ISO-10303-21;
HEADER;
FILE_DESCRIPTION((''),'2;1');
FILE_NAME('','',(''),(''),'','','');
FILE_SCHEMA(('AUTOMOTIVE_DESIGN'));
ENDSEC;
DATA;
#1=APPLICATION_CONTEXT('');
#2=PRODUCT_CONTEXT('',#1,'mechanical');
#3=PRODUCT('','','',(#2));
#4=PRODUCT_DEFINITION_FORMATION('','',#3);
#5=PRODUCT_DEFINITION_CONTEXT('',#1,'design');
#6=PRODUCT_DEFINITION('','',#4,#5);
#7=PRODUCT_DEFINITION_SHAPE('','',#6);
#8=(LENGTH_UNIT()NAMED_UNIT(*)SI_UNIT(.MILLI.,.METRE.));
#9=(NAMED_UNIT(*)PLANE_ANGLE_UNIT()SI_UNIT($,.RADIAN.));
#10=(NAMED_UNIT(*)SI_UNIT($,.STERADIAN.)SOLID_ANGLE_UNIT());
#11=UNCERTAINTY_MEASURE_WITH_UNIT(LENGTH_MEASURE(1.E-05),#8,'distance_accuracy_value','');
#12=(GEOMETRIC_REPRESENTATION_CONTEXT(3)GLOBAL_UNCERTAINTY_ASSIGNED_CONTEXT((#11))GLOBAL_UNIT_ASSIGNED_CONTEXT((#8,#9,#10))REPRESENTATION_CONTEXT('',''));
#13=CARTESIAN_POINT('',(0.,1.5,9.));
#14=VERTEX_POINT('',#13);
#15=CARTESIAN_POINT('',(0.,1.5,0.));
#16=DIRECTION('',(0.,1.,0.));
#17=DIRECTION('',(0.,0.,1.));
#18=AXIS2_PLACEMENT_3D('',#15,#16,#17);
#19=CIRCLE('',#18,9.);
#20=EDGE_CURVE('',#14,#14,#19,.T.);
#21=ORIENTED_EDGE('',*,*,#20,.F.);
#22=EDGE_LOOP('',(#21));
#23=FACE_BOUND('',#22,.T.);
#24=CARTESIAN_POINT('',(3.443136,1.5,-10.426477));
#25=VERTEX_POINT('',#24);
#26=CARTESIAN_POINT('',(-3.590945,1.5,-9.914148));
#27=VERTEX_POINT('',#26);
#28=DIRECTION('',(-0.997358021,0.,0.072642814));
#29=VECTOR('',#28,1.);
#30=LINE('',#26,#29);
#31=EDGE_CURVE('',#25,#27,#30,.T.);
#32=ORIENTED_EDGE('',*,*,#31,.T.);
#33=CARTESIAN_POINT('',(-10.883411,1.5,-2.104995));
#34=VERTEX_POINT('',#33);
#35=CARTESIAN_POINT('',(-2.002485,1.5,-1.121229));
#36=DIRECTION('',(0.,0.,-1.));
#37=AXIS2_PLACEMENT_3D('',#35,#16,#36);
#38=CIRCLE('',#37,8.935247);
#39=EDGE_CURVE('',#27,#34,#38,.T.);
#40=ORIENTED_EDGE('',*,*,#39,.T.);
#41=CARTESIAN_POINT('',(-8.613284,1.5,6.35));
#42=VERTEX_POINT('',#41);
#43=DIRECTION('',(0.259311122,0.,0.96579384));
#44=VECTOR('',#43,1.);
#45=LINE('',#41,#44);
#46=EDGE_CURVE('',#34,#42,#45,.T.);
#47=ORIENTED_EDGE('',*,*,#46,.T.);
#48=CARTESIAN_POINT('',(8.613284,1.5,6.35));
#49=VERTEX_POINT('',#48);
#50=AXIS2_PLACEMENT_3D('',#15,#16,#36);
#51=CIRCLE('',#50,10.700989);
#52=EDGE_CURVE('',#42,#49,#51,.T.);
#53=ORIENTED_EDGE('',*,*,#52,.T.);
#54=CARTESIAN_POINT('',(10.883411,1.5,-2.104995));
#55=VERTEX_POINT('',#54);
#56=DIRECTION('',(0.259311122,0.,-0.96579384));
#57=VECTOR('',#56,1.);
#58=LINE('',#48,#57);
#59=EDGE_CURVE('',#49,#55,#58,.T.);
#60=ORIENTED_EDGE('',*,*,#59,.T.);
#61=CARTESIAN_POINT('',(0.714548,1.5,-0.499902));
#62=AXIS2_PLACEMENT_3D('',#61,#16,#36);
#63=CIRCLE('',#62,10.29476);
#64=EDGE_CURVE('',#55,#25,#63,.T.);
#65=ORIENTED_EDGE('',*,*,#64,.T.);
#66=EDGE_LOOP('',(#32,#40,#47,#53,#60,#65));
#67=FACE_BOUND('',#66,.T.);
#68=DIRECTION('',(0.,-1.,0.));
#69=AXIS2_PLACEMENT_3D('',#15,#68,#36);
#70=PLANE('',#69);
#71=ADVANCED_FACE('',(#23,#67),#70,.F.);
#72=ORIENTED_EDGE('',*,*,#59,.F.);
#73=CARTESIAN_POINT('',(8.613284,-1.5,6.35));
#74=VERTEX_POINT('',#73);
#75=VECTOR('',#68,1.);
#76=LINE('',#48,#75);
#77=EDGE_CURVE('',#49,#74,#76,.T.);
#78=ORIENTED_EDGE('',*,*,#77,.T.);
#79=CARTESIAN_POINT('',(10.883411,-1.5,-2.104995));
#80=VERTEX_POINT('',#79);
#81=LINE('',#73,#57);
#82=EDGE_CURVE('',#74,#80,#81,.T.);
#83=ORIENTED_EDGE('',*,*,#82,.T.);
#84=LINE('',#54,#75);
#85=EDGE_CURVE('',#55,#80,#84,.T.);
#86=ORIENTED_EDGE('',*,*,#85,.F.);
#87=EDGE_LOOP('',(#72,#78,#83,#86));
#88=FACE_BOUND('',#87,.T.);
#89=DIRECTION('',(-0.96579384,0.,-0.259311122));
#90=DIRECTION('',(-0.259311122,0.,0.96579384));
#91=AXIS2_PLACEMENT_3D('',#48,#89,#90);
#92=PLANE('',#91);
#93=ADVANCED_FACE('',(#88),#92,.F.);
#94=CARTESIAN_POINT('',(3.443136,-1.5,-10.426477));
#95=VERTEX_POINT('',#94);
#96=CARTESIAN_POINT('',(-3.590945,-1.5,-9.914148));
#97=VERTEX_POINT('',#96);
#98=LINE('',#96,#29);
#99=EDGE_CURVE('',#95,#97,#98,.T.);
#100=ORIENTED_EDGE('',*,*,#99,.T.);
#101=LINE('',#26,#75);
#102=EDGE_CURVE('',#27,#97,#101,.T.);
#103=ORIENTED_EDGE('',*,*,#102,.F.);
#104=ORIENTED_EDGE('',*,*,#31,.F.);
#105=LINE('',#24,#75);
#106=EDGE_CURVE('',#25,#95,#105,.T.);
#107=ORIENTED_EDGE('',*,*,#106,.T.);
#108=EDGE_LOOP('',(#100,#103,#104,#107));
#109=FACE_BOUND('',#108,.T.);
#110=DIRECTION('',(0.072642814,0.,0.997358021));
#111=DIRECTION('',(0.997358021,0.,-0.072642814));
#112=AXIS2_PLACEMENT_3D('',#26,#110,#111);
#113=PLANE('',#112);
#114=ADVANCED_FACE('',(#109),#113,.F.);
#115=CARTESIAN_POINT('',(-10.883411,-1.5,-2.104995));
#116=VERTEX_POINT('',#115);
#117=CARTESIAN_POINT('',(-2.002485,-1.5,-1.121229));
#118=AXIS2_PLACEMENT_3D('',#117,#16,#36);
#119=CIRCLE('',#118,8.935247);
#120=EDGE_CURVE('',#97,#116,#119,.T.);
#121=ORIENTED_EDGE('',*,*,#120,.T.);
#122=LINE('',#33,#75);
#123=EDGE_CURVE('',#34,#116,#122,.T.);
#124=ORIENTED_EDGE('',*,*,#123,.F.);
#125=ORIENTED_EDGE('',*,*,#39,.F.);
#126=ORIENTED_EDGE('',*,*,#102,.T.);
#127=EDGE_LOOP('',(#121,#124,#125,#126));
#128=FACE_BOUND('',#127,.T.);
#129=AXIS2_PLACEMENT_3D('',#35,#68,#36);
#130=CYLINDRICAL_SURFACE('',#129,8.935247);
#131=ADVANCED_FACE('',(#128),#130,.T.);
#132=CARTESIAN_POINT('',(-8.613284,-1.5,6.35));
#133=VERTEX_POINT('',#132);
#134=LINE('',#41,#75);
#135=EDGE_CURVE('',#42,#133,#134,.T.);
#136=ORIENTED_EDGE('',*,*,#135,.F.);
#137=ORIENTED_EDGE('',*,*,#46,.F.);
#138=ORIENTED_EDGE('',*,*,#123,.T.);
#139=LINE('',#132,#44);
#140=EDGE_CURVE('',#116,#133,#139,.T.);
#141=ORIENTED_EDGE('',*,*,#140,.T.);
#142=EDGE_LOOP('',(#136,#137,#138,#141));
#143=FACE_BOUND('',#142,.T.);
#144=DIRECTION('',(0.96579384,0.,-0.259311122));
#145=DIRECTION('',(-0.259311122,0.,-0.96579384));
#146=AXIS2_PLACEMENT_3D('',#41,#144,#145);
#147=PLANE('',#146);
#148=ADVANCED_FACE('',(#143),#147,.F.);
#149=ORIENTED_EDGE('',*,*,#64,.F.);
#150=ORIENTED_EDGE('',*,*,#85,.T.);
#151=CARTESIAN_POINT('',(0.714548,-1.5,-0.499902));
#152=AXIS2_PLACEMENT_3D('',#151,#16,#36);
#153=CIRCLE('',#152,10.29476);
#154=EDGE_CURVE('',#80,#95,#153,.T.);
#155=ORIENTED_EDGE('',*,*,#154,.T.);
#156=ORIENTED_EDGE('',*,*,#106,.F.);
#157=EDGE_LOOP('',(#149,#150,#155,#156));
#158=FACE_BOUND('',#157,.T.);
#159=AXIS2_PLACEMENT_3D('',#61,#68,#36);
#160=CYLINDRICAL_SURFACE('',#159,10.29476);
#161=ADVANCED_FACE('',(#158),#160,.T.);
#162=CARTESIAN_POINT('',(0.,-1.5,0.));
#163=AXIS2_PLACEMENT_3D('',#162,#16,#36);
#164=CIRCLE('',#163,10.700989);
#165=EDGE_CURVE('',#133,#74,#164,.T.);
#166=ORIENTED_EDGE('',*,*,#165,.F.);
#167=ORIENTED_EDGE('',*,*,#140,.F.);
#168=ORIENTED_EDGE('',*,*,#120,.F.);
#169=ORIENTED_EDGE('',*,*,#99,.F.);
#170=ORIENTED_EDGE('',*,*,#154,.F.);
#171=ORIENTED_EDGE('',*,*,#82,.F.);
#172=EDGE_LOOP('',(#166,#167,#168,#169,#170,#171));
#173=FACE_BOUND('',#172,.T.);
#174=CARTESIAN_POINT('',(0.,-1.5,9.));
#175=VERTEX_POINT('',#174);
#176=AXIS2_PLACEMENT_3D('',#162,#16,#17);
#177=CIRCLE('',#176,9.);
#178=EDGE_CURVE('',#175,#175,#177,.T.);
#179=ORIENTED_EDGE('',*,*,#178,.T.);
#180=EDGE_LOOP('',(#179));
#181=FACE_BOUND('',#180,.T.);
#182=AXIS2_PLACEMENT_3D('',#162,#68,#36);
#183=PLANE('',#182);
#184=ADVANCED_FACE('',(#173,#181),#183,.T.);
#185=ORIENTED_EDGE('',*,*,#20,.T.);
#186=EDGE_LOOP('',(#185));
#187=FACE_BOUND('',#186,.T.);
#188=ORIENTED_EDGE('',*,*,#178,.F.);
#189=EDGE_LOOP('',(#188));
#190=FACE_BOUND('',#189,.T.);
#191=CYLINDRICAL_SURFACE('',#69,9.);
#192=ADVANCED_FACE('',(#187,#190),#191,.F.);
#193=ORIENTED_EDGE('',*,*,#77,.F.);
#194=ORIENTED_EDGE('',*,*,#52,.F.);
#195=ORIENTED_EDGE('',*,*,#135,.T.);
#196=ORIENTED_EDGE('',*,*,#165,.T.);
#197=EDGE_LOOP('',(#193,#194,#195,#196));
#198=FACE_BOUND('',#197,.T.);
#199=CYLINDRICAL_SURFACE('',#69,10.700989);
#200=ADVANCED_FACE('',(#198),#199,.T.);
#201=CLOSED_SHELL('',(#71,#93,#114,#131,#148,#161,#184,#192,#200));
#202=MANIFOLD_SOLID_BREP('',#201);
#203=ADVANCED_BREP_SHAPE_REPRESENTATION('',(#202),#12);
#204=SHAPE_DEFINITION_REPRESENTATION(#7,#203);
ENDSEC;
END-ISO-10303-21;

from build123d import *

# Parameters (mm, degrees)
SKETCH1_R           = 9
BOSS_EXTRUDE1_DEPTH = 1.5


with BuildPart() as part:
    # Sketch1 → Boss-Extrude1 (new, symmetric)
    with BuildSketch(Plane(origin=(0, 0, 0), x_dir=(1, 0, 0), z_dir=(0, 1, 0))):
        with BuildLine():
            Line((-8.613284174, -6.35), (-10.883410628, 2.104994632))
            ThreePointArc((-10.883410628, 2.104994632), (-8.533007766, 7.219663427), (-3.590944982, 9.91414778))
            Line((-3.590944982, 9.91414778), (3.443136374, 10.426476807))
            ThreePointArc((3.443136374, 10.426476807), (8.389040028, 7.361699028), (10.883410628, 2.104994632))
            Line((10.883410628, 2.104994632), (8.613284174, -6.35))
            ThreePointArc((8.613284174, -6.35), (0, -10.700988938), (-8.613284174, -6.35))
        make_face()
        with Locations(Location((0, 0, 0), (0, 0, 270))):
            Circle(SKETCH1_R, mode=Mode.SUBTRACT)
    extrude(amount=BOSS_EXTRUDE1_DEPTH, both=True)


solid = part.part
